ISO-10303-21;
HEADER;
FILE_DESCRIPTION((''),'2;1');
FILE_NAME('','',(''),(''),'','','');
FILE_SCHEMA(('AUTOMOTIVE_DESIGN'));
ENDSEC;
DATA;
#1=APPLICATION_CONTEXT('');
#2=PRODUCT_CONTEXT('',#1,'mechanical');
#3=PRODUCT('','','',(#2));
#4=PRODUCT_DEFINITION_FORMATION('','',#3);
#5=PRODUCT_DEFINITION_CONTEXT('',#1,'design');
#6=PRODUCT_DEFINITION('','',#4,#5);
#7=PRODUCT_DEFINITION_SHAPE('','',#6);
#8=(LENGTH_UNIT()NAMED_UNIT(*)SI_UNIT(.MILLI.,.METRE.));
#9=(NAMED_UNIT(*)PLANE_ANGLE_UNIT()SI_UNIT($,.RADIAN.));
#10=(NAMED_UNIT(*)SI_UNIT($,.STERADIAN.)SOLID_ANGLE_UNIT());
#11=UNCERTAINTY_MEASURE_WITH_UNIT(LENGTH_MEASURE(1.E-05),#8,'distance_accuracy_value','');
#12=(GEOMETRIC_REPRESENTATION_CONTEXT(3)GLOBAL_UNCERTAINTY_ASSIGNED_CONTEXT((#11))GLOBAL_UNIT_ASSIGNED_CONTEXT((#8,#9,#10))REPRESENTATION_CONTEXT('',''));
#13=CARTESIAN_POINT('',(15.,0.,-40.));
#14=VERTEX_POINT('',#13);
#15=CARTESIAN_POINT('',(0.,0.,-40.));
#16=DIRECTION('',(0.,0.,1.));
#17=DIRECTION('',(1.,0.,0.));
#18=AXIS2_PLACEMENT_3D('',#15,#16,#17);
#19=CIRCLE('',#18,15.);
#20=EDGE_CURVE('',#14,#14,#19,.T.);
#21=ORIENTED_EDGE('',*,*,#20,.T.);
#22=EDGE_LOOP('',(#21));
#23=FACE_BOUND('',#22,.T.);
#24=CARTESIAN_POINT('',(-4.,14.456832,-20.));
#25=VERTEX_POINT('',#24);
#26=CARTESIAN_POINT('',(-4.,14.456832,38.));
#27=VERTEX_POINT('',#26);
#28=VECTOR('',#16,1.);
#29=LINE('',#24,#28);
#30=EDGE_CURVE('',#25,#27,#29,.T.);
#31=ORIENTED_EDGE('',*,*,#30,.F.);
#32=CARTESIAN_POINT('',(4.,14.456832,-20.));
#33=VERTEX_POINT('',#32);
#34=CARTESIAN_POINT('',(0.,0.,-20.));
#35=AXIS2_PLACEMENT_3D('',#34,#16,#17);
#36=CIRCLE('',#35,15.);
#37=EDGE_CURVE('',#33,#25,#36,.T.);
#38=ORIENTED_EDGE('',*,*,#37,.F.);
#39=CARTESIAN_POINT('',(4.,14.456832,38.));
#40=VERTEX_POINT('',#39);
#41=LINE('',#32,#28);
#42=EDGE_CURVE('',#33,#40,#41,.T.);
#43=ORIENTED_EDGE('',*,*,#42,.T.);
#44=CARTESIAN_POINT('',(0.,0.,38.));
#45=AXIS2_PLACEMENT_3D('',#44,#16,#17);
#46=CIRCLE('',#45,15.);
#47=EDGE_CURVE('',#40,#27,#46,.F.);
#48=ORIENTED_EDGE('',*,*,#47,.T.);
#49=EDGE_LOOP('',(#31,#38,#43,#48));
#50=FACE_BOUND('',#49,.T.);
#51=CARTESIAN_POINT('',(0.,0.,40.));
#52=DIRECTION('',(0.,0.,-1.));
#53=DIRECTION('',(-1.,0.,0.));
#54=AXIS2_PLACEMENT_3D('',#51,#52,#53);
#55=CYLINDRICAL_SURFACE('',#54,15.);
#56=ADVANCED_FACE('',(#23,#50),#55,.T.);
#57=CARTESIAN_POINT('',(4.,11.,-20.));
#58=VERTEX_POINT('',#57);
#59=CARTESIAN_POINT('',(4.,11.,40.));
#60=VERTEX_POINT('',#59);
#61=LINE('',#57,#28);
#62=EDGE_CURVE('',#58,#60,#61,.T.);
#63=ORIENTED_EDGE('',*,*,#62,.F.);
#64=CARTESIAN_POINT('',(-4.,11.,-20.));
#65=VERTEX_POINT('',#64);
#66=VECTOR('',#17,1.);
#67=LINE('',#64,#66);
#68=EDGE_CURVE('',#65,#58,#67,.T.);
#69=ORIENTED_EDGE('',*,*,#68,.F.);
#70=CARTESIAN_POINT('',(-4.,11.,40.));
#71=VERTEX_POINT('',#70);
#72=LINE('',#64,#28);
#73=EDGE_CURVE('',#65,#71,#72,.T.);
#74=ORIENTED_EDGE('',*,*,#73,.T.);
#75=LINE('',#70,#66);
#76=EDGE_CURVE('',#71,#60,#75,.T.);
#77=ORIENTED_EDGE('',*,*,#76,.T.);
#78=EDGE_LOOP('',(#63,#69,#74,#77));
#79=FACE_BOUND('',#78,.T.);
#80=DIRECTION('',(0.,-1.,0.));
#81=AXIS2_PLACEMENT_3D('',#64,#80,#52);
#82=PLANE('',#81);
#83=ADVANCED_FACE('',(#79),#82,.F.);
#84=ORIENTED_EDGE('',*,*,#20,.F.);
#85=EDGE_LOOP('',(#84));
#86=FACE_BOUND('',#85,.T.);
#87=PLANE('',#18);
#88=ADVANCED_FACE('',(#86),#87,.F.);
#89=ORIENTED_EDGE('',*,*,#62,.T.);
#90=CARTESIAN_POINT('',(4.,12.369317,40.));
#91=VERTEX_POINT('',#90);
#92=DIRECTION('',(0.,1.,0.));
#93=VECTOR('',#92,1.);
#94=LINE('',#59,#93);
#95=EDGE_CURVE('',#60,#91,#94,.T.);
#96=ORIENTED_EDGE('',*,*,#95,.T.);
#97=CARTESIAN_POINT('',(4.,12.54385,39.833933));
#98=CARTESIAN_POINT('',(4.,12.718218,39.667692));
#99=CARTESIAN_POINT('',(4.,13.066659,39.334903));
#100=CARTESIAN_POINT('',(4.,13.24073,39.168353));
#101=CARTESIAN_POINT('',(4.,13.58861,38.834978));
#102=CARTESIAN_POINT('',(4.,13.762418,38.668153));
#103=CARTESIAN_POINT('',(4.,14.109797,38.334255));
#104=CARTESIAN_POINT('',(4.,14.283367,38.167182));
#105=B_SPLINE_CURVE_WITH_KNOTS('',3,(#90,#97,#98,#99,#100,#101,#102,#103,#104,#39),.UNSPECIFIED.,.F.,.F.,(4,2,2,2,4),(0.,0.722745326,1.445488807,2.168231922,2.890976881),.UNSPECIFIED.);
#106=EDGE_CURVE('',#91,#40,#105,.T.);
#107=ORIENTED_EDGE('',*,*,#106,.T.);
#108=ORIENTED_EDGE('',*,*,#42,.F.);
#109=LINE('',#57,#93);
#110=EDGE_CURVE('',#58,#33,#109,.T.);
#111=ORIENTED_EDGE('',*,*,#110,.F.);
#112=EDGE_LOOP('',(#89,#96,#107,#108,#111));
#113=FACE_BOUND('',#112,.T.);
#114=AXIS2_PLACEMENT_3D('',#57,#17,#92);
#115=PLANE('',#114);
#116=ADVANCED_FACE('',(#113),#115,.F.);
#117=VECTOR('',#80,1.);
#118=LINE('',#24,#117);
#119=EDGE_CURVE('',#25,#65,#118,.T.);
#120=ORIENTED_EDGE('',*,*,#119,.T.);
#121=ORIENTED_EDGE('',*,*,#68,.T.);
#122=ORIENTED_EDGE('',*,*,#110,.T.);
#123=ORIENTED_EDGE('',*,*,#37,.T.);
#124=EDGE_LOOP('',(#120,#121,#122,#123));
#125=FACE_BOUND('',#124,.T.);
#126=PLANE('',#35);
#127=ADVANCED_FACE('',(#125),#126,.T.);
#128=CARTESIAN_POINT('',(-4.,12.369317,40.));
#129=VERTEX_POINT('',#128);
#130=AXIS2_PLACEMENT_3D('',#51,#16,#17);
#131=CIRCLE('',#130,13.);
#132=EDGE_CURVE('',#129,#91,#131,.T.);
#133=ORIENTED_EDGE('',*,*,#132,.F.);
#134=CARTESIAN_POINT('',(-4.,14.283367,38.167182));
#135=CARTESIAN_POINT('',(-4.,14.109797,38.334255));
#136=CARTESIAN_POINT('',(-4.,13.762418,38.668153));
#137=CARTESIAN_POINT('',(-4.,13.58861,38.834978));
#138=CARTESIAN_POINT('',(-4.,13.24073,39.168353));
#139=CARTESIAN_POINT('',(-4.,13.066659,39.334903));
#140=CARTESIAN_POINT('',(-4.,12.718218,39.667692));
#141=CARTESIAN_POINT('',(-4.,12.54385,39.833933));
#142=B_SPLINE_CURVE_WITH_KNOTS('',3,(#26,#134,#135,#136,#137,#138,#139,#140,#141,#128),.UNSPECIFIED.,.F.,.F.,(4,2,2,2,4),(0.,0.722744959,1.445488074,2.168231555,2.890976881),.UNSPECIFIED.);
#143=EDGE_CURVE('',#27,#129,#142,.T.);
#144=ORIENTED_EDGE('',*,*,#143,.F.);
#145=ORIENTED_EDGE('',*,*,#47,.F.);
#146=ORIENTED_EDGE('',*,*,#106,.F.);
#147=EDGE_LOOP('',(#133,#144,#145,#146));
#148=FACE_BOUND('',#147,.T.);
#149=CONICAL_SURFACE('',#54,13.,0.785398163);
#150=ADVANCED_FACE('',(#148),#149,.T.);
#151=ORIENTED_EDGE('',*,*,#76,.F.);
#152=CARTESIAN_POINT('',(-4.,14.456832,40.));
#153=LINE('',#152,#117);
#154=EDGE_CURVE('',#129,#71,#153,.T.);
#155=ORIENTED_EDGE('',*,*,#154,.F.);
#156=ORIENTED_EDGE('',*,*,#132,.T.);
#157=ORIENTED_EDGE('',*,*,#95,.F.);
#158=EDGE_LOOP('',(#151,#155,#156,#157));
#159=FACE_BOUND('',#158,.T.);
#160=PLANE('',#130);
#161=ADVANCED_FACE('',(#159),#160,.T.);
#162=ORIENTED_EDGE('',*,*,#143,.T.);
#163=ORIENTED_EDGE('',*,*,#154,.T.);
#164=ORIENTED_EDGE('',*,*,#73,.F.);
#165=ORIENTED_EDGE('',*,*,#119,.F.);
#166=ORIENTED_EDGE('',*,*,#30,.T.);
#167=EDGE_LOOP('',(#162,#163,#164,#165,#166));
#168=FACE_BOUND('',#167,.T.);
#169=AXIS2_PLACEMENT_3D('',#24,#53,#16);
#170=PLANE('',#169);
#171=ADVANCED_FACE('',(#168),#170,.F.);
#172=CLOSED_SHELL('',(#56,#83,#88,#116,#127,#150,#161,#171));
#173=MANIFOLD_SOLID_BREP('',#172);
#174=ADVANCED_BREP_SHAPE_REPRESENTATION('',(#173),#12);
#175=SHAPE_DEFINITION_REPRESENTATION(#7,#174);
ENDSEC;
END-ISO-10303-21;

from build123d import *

# Parameters (mm, degrees)
SKETCH1_R           = 15
BOSS_EXTRUDE1_DEPTH = 40
CUT_EXTRUDE1_DEPTH  = 60
CHAMFER1_SIZE       = 2


with BuildPart() as part:
    # Sketch1 → Boss-Extrude1 (new, symmetric)
    with BuildSketch(Plane.XY):
        Circle(SKETCH1_R)
    extrude(amount=BOSS_EXTRUDE1_DEPTH, both=True)

    # Sketch2 → Cut-Extrude1 (cut)
    with BuildSketch(Plane.XY.offset(40)):
        with BuildLine():
            Line((-4, 14.456832295), (-4, 11))
            Line((-4, 11), (4, 11))
            Line((4, 11), (4, 14.456832295))
            ThreePointArc((4, 14.456832295), (0, 15), (-4, 14.456832295))
        make_face()
    extrude(amount=-CUT_EXTRUDE1_DEPTH, mode=Mode.SUBTRACT)

    # Chamfer1
    chamfer1_edges = [part.edges().sort_by_distance(p)[0] for p in [
        (-9.082951062, -11.937336386, 40),
    ]]
    chamfer(chamfer1_edges, length=CHAMFER1_SIZE)


solid = part.part
